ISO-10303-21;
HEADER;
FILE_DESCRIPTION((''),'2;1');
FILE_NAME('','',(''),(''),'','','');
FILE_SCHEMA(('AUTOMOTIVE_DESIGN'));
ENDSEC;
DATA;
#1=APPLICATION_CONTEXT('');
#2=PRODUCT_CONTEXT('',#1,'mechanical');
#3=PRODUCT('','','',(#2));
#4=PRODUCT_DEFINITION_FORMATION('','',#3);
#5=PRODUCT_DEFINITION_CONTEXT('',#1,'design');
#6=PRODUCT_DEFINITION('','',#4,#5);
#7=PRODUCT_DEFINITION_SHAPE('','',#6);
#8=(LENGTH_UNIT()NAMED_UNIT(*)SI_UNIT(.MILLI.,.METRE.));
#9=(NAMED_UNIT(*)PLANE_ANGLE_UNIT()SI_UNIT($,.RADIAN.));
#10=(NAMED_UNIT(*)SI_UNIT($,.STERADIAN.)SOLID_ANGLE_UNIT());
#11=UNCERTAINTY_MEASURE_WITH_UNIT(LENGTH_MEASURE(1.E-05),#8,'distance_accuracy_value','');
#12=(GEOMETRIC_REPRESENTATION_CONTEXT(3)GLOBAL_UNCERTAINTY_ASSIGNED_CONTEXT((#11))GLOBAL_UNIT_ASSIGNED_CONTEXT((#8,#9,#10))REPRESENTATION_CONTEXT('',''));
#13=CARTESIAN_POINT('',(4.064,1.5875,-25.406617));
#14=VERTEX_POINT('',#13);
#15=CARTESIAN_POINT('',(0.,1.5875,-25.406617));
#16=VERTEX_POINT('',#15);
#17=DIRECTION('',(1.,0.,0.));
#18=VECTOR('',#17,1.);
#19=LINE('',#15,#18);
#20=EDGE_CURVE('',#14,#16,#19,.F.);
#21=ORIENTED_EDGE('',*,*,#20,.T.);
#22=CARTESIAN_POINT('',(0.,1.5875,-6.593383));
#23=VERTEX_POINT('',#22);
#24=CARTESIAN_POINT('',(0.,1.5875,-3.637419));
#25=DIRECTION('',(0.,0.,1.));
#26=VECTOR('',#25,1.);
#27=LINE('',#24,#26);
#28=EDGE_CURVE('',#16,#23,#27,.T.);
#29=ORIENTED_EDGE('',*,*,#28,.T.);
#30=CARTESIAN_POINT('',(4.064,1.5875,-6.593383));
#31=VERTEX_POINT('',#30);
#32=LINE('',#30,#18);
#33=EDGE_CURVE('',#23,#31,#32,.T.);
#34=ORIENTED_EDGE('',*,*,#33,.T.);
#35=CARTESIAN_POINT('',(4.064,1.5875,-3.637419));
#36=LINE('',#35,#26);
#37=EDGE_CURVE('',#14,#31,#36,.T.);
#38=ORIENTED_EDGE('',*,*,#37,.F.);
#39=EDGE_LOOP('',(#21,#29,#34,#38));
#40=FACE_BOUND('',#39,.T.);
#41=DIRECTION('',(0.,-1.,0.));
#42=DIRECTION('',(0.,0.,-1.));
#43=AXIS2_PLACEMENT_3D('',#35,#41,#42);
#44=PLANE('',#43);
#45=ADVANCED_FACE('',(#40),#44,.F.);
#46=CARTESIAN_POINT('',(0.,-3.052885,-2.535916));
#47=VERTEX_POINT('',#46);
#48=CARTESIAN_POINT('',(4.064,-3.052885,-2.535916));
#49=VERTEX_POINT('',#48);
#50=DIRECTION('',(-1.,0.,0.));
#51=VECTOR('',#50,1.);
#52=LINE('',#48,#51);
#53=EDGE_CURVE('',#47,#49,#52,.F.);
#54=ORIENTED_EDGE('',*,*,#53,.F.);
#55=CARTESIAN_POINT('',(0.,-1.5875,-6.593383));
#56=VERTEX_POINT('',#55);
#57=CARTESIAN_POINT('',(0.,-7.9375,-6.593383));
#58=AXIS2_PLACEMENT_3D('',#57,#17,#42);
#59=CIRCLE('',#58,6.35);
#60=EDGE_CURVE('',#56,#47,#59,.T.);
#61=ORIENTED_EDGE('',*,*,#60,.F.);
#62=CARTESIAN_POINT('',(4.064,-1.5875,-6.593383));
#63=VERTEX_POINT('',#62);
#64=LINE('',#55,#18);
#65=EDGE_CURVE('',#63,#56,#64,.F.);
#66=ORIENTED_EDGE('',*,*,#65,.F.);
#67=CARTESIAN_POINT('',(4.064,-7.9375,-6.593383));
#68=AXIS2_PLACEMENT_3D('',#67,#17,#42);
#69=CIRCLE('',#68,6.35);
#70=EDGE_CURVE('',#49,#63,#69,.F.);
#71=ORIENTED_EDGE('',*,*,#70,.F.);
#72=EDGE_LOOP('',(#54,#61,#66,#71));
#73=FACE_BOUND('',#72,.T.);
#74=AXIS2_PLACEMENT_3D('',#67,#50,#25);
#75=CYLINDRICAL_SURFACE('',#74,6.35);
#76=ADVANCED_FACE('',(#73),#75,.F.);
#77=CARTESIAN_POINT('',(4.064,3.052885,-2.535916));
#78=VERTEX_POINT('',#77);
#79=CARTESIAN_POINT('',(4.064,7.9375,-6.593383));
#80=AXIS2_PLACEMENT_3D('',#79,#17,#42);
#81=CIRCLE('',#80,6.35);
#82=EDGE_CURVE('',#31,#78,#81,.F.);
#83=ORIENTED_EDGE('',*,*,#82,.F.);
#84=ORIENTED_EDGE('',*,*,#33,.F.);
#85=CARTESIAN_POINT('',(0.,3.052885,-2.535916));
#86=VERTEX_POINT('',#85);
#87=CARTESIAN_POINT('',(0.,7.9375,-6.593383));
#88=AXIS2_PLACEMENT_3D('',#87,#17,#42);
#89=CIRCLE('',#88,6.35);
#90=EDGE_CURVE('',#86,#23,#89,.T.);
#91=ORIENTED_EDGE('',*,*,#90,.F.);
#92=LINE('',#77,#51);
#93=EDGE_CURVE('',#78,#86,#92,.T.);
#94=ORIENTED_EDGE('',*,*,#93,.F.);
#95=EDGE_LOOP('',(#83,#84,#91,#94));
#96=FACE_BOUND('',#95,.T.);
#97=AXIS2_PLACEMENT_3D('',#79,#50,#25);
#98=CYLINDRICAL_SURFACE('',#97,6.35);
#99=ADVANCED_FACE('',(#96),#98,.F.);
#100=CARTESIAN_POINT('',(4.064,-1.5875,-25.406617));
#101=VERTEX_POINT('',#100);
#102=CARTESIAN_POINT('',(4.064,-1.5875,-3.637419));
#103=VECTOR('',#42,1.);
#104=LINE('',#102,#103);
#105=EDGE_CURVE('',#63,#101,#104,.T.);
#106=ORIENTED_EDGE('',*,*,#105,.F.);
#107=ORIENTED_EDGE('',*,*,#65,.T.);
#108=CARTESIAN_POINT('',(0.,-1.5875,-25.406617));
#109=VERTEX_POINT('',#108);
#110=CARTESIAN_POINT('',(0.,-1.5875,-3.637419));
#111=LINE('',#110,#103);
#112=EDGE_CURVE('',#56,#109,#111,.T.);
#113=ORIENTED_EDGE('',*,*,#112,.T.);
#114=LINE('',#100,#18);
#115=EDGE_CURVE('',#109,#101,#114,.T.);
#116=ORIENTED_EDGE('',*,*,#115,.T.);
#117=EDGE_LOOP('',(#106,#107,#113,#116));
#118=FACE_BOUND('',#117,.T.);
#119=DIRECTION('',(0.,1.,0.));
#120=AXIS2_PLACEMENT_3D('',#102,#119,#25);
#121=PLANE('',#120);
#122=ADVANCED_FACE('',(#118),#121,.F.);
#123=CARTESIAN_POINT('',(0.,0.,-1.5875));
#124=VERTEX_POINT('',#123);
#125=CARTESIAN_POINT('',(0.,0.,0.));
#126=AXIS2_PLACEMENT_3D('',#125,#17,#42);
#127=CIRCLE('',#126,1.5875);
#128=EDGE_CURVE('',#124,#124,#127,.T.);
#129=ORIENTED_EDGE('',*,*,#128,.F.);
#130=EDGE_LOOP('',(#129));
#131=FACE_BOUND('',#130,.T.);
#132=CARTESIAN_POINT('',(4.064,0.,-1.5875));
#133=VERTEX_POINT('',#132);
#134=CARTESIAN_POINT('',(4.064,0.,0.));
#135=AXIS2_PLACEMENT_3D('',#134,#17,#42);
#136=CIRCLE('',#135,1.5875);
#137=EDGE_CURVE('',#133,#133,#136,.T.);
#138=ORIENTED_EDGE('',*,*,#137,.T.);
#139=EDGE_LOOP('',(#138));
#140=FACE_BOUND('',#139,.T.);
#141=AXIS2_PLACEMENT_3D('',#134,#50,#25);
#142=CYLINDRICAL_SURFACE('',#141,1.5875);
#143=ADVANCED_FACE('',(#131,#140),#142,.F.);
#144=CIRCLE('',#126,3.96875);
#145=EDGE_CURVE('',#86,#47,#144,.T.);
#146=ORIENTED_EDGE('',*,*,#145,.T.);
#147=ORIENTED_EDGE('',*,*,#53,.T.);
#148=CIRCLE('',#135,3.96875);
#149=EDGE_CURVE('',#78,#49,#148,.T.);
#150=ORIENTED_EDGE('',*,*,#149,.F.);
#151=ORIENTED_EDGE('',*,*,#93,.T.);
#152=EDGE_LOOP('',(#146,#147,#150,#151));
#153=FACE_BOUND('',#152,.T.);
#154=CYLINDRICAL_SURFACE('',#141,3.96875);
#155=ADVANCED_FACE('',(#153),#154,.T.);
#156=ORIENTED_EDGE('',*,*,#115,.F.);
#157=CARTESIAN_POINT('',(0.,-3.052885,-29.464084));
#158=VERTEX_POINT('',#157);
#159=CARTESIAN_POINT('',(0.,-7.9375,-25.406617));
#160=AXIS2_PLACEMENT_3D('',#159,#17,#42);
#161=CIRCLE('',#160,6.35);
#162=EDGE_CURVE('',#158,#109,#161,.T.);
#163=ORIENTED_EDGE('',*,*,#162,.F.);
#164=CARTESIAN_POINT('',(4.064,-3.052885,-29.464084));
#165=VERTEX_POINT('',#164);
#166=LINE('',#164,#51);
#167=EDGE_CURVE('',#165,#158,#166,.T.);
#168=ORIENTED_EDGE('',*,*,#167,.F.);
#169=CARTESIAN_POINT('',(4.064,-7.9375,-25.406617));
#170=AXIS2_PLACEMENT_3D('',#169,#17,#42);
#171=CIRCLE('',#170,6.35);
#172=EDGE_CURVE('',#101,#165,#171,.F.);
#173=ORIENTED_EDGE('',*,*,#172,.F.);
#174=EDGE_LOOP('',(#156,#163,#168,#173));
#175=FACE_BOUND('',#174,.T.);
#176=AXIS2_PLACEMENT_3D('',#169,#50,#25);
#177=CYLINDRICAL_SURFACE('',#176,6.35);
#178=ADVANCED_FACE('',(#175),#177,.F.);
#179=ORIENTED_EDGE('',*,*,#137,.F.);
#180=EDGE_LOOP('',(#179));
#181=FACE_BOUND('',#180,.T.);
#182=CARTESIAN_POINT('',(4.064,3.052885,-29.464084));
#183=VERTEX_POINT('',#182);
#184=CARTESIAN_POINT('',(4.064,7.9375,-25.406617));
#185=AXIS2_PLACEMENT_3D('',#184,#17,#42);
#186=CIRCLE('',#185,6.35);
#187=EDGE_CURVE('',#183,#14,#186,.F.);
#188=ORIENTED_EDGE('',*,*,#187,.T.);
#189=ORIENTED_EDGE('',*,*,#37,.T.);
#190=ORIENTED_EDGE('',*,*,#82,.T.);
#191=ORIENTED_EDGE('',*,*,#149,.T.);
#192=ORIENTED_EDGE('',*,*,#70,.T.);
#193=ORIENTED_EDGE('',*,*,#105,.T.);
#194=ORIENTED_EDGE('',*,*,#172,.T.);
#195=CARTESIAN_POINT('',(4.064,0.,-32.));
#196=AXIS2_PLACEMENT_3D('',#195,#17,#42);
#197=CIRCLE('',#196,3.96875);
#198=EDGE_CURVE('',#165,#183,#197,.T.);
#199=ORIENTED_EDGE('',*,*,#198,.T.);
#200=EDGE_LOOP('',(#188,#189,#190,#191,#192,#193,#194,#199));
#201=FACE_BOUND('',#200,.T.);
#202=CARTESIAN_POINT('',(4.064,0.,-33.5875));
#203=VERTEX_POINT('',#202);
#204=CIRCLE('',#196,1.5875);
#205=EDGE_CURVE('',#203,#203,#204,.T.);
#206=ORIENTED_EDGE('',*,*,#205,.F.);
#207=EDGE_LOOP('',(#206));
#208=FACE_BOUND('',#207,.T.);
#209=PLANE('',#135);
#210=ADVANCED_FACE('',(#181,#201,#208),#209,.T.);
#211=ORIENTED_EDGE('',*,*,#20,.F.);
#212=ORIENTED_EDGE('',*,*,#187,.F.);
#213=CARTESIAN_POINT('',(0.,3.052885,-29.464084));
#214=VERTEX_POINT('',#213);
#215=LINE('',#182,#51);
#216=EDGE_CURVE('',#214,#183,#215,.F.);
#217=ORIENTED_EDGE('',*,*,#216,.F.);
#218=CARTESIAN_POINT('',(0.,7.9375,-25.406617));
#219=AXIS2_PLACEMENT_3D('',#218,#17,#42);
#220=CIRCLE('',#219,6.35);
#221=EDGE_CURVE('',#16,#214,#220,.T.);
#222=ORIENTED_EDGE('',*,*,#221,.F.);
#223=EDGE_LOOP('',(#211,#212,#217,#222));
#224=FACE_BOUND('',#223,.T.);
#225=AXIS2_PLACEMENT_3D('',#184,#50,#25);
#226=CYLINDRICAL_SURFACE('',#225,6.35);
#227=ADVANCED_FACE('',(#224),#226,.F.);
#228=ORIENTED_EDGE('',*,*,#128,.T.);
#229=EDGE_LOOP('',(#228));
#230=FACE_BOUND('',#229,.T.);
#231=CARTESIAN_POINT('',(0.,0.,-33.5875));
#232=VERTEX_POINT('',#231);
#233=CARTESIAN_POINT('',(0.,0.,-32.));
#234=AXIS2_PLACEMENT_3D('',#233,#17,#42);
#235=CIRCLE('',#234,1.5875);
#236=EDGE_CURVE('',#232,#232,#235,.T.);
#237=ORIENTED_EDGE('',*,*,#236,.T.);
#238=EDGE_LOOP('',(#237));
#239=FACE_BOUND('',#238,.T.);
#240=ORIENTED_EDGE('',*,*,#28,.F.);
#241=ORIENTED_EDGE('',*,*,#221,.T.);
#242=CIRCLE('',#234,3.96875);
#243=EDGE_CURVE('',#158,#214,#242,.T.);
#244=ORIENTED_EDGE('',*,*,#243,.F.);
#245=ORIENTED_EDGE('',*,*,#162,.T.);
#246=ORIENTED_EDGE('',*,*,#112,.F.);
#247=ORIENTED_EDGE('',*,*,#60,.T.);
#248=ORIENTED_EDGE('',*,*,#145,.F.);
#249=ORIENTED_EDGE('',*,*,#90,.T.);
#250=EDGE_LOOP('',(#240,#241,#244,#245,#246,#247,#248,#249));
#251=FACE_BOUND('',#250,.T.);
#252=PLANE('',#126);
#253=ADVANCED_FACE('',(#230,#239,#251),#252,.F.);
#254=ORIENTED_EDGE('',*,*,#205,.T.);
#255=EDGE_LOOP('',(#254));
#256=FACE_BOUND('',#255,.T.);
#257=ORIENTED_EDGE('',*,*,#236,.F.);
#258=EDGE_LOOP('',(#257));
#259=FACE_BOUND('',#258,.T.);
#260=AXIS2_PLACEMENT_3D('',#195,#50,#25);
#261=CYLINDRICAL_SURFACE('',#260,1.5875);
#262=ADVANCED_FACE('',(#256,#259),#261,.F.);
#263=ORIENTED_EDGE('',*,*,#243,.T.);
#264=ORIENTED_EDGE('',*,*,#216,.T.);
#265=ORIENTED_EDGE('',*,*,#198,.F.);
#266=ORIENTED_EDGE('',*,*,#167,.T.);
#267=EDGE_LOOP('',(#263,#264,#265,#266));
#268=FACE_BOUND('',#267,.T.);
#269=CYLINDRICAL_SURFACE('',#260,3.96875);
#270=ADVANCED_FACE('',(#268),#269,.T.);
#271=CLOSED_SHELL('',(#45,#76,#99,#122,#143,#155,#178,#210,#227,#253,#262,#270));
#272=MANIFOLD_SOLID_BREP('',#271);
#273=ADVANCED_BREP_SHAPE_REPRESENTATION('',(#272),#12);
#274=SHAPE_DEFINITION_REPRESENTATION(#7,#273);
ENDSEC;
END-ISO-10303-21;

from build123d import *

# Parameters (mm, degrees)
SKETCH1_R           = 1.5875
BOSS_EXTRUDE1_DEPTH = 4.064
FILLET1_R           = 6.35


with BuildPart() as part:
    # Sketch1 → Boss-Extrude1 (new body)
    with BuildSketch(Plane(origin=(0, 0, 0), x_dir=(0, 0, -1), z_dir=(1, 0, 0))):
        with BuildLine():
            Line((3.637419458, 1.5875), (28.362580542, 1.5875))
            ThreePointArc((28.362580542, 1.5875), (35.96875, 0), (28.362580542, -1.5875))
            Line((28.362580542, -1.5875), (3.637419458, -1.5875))
            ThreePointArc((3.637419458, -1.5875), (-3.96875, 0), (3.637419458, 1.5875))
        make_face()
        Circle(SKETCH1_R, mode=Mode.SUBTRACT)
        with Locations((32, 0)):
            Circle(SKETCH1_R, mode=Mode.SUBTRACT)
    extrude(amount=BOSS_EXTRUDE1_DEPTH)

    # Fillet1
    fillet1_edges = [part.edges().sort_by_distance(p)[0] for p in [
        (2.032, 1.5875, -3.637419458),
        (2.032, 1.5875, -28.362580542),
        (2.032, -1.5875, -28.362580542),
        (2.032, -1.5875, -3.637419458),
    ]]
    fillet(fillet1_edges, radius=FILLET1_R)


solid = part.part
